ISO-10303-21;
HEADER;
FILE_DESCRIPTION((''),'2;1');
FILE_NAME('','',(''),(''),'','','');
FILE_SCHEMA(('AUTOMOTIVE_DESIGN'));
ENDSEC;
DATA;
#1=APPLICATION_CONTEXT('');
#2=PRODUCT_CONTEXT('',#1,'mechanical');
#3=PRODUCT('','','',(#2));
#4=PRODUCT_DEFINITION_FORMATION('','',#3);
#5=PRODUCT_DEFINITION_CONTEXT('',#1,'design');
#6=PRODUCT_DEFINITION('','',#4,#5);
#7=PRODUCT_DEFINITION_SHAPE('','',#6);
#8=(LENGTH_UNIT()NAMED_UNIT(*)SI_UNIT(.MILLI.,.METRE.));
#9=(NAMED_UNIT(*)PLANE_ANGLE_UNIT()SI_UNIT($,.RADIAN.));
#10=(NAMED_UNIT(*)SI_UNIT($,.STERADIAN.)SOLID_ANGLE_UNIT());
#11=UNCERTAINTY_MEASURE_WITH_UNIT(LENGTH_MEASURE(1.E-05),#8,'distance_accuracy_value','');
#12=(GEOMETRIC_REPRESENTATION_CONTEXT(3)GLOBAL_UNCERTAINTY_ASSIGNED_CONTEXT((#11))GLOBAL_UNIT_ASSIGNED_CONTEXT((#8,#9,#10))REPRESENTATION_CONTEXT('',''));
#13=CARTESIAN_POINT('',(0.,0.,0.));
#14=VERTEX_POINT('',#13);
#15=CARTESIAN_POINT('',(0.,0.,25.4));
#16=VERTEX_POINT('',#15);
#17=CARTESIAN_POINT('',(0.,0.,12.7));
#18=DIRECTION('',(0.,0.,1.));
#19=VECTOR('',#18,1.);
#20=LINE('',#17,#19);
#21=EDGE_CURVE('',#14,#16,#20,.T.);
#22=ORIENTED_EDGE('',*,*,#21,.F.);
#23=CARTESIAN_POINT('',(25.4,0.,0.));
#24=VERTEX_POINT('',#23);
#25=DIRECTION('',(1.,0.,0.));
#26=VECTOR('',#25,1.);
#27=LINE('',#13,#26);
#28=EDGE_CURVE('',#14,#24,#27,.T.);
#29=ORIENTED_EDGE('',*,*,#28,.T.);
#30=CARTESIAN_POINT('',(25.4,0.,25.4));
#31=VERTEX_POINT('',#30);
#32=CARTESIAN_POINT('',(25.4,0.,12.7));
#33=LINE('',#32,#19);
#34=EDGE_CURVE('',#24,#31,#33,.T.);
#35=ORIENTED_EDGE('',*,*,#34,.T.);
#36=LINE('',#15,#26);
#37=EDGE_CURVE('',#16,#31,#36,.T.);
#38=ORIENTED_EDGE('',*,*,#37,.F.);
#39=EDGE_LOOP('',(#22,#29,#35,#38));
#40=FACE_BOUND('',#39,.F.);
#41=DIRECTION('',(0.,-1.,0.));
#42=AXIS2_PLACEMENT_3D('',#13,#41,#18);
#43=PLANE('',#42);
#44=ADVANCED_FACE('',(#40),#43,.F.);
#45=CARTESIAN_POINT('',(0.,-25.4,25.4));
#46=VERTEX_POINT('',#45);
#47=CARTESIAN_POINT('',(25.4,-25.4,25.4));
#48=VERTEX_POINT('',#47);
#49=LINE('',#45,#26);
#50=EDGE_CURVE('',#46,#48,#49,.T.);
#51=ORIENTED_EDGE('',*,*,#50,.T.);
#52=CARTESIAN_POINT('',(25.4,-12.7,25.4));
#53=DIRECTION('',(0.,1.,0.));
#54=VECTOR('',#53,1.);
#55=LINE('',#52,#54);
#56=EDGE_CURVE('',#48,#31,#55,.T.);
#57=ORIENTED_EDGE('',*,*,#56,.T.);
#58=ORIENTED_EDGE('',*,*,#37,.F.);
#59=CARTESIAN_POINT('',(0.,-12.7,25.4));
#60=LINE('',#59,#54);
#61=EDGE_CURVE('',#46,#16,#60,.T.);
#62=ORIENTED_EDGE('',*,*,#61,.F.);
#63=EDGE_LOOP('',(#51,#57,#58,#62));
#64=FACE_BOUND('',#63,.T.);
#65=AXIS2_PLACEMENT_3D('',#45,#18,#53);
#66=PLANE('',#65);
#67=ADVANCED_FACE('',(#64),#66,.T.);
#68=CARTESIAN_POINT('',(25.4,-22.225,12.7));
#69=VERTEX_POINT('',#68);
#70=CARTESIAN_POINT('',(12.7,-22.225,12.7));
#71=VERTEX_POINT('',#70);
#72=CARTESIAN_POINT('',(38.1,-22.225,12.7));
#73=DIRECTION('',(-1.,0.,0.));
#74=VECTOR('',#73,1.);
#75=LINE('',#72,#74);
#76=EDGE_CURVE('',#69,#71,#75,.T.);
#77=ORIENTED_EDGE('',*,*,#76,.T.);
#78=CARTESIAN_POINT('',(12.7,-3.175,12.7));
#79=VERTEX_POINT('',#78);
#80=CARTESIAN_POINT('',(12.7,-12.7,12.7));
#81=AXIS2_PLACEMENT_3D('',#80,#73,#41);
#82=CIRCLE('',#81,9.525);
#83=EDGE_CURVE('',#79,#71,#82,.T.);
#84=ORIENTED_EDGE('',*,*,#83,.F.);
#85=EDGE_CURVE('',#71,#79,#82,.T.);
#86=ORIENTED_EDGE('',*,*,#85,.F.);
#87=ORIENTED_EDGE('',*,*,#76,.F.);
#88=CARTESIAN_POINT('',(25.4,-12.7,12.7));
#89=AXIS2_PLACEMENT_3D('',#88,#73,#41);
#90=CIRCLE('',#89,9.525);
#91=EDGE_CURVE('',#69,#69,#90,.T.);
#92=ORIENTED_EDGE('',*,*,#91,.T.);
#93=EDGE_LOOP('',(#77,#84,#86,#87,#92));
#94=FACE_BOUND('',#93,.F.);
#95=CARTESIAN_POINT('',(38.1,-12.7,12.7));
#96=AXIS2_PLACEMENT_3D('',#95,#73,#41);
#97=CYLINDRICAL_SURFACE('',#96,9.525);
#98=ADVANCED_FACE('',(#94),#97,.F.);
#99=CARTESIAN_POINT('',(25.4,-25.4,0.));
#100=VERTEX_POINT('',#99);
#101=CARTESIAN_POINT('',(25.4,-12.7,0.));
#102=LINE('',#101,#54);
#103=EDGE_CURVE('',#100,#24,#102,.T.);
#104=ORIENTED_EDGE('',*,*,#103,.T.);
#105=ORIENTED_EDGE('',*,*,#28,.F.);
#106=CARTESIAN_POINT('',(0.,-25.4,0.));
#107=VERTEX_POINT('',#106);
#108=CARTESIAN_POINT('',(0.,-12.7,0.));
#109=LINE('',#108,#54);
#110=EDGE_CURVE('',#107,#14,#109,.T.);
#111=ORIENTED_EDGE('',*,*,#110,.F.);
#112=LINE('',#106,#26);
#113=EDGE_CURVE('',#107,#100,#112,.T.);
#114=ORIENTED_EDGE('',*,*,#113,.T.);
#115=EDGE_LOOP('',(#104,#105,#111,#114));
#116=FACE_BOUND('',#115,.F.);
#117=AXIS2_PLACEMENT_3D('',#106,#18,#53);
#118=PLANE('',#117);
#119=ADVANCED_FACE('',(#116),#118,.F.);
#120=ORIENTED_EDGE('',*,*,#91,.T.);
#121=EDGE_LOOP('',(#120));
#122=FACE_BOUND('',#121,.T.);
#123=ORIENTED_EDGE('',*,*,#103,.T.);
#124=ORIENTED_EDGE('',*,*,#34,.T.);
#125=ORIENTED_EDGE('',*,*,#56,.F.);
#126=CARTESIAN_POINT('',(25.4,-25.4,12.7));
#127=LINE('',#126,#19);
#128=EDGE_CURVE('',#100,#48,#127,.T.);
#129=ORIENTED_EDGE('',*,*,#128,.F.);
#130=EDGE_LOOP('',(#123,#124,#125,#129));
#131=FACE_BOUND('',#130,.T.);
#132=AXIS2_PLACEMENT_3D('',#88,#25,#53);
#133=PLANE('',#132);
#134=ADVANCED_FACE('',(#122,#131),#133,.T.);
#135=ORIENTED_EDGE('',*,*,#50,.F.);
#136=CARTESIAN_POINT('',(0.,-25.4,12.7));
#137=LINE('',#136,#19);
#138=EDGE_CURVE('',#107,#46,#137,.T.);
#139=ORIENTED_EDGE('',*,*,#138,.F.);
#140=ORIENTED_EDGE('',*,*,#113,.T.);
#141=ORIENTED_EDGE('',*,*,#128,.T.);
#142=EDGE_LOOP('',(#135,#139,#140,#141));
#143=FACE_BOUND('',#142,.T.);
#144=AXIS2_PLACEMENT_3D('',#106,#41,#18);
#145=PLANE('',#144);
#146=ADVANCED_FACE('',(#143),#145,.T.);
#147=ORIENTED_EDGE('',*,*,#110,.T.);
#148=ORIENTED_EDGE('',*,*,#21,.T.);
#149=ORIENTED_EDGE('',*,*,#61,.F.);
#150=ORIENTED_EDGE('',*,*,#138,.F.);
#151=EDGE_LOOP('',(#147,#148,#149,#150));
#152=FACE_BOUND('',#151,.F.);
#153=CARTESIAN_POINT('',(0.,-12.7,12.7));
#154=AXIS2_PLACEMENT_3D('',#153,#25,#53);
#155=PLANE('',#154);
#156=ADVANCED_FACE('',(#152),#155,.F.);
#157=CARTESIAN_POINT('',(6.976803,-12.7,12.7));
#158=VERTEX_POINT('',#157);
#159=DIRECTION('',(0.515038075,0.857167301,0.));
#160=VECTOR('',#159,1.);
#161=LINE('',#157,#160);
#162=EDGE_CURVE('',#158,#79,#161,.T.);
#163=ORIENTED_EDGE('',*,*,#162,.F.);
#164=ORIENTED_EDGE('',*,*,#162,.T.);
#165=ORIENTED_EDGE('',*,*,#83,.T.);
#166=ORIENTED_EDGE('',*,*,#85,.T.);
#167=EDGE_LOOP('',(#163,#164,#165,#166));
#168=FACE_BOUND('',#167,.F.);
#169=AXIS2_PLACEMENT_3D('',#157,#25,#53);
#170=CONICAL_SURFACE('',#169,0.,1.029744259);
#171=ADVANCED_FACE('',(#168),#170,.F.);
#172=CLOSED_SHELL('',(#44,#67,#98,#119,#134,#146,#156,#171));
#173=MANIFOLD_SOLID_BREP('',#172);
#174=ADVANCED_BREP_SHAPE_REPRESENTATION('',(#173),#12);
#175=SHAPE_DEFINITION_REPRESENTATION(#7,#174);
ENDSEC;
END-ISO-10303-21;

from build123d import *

# Parameters (mm, degrees)
F0_W     = 25.4
F0_H     = 25.4
F1_DEPTH = 25.4
F3_D     = 19.05
F3_DEPTH = 12.7
F3_TIP   = 5.7231973962


with BuildPart() as f1:
    # F0 (on Right) → F1 (new body)
    with BuildSketch(Plane.YZ):
        with Locations((-12.7, 12.7)):
            Rectangle(F0_W, F0_H)
    extrude(amount=F1_DEPTH)

    # F3
    with Locations(Plane.YZ.offset(25.4)):
        with Locations((-12.7, 12.7)):
            Hole(F3_D / 2, depth=F3_DEPTH)
            with Locations((0, 0, -(F3_DEPTH + F3_TIP / 2))):  # 118° drill point
                Cone(0, F3_D / 2, F3_TIP, mode=Mode.SUBTRACT)


solid = f1.part
